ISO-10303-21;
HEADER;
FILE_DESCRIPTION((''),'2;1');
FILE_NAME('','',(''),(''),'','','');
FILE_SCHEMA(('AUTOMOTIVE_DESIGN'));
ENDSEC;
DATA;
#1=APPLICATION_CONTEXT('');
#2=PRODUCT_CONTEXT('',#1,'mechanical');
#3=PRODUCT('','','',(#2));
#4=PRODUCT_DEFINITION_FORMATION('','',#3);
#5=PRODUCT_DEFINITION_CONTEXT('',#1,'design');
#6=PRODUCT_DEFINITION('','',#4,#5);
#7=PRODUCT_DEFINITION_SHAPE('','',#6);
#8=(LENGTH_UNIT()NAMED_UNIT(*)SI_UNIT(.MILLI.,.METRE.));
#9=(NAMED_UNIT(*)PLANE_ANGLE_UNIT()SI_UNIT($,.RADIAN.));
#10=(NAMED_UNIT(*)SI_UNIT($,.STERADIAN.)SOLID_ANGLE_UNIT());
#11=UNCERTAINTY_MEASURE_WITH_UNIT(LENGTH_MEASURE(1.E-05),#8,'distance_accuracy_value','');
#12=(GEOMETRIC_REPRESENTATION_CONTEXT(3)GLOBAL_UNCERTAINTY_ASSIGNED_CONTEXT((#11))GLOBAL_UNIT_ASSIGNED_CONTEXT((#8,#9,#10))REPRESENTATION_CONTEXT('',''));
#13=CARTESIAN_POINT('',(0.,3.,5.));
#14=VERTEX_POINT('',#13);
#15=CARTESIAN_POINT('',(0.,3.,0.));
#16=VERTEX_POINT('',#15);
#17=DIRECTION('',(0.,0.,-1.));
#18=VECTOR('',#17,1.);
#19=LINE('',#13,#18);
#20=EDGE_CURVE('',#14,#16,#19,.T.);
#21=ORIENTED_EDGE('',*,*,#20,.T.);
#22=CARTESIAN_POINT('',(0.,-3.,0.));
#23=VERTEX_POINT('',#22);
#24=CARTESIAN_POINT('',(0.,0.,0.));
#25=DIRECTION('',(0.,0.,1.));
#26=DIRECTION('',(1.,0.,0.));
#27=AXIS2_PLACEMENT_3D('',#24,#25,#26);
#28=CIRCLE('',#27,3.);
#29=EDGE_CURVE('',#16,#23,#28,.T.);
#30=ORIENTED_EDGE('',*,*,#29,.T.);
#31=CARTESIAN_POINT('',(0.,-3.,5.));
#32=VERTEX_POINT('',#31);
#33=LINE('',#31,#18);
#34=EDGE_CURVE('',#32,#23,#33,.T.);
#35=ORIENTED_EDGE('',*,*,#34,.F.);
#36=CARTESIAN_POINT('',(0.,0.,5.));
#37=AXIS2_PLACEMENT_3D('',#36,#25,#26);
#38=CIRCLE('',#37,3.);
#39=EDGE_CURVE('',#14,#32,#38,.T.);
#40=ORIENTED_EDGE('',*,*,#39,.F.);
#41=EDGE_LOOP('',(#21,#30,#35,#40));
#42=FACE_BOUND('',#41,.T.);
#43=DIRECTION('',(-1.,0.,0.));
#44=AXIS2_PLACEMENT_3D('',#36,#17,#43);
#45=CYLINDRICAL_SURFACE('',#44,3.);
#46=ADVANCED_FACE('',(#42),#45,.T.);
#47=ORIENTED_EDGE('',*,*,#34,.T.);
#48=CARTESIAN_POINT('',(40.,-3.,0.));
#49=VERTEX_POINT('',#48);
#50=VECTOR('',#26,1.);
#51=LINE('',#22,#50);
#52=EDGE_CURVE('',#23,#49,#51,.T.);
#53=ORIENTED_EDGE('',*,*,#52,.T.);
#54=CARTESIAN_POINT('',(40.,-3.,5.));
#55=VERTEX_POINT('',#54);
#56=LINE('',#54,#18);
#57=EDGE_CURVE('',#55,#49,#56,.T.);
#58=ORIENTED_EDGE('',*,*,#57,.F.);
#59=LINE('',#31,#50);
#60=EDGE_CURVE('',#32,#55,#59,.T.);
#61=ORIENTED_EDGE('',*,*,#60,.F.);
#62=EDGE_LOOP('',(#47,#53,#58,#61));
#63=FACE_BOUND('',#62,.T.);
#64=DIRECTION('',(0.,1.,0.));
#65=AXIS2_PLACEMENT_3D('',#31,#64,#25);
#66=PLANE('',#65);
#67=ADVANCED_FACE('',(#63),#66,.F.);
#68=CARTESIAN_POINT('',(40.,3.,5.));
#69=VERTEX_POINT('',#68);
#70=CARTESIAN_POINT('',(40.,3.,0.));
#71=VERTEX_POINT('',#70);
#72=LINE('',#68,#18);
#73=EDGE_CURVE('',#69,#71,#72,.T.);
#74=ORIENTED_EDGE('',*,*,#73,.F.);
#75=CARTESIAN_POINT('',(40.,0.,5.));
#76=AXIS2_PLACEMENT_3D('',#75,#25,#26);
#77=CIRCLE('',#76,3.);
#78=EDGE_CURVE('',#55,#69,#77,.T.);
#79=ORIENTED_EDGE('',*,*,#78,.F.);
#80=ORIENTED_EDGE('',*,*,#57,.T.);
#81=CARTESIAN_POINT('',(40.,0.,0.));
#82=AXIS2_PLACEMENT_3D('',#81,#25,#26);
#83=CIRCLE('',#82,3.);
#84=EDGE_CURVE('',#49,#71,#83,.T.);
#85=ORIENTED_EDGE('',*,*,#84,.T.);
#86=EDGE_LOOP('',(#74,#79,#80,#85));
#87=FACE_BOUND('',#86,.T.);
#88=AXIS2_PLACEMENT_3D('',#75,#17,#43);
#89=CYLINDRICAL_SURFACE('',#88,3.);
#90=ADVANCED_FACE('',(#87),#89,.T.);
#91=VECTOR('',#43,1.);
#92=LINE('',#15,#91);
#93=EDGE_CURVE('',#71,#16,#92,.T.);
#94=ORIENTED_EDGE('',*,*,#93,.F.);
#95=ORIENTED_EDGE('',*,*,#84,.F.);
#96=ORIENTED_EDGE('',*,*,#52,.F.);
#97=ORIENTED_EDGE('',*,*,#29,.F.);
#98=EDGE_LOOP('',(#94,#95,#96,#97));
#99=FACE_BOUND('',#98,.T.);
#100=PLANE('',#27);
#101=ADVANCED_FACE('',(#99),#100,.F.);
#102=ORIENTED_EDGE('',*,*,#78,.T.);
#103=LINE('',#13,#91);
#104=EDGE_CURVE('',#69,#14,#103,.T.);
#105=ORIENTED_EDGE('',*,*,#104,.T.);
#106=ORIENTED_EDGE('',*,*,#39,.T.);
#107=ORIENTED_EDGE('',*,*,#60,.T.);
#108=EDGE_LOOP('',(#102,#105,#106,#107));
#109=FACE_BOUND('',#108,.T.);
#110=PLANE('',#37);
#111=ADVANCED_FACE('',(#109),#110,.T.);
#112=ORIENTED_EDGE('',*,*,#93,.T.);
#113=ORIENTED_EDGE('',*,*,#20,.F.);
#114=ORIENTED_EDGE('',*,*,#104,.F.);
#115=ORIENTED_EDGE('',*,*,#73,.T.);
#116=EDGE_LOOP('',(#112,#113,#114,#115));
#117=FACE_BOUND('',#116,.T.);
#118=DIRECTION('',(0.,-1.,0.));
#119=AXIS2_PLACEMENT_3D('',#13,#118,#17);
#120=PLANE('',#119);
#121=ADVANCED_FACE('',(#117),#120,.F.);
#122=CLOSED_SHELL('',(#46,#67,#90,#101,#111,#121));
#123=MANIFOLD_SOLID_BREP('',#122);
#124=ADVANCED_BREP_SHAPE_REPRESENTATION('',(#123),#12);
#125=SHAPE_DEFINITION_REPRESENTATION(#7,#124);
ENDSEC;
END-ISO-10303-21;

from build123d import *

# Parameters (mm, degrees)
BOSS_EXTRUDE1_DEPTH = 5


with BuildPart() as part:
    # Sketch1 → Boss-Extrude1 (new body)
    with BuildSketch(Plane.XY):
        with BuildLine():
            Line((0, 3), (40, 3))
            ThreePointArc((40, 3), (43, 0), (40, -3))
            Line((40, -3), (0, -3))
            ThreePointArc((0, -3), (-3, 0), (0, 3))
        make_face()
    extrude(amount=BOSS_EXTRUDE1_DEPTH)


solid = part.part
